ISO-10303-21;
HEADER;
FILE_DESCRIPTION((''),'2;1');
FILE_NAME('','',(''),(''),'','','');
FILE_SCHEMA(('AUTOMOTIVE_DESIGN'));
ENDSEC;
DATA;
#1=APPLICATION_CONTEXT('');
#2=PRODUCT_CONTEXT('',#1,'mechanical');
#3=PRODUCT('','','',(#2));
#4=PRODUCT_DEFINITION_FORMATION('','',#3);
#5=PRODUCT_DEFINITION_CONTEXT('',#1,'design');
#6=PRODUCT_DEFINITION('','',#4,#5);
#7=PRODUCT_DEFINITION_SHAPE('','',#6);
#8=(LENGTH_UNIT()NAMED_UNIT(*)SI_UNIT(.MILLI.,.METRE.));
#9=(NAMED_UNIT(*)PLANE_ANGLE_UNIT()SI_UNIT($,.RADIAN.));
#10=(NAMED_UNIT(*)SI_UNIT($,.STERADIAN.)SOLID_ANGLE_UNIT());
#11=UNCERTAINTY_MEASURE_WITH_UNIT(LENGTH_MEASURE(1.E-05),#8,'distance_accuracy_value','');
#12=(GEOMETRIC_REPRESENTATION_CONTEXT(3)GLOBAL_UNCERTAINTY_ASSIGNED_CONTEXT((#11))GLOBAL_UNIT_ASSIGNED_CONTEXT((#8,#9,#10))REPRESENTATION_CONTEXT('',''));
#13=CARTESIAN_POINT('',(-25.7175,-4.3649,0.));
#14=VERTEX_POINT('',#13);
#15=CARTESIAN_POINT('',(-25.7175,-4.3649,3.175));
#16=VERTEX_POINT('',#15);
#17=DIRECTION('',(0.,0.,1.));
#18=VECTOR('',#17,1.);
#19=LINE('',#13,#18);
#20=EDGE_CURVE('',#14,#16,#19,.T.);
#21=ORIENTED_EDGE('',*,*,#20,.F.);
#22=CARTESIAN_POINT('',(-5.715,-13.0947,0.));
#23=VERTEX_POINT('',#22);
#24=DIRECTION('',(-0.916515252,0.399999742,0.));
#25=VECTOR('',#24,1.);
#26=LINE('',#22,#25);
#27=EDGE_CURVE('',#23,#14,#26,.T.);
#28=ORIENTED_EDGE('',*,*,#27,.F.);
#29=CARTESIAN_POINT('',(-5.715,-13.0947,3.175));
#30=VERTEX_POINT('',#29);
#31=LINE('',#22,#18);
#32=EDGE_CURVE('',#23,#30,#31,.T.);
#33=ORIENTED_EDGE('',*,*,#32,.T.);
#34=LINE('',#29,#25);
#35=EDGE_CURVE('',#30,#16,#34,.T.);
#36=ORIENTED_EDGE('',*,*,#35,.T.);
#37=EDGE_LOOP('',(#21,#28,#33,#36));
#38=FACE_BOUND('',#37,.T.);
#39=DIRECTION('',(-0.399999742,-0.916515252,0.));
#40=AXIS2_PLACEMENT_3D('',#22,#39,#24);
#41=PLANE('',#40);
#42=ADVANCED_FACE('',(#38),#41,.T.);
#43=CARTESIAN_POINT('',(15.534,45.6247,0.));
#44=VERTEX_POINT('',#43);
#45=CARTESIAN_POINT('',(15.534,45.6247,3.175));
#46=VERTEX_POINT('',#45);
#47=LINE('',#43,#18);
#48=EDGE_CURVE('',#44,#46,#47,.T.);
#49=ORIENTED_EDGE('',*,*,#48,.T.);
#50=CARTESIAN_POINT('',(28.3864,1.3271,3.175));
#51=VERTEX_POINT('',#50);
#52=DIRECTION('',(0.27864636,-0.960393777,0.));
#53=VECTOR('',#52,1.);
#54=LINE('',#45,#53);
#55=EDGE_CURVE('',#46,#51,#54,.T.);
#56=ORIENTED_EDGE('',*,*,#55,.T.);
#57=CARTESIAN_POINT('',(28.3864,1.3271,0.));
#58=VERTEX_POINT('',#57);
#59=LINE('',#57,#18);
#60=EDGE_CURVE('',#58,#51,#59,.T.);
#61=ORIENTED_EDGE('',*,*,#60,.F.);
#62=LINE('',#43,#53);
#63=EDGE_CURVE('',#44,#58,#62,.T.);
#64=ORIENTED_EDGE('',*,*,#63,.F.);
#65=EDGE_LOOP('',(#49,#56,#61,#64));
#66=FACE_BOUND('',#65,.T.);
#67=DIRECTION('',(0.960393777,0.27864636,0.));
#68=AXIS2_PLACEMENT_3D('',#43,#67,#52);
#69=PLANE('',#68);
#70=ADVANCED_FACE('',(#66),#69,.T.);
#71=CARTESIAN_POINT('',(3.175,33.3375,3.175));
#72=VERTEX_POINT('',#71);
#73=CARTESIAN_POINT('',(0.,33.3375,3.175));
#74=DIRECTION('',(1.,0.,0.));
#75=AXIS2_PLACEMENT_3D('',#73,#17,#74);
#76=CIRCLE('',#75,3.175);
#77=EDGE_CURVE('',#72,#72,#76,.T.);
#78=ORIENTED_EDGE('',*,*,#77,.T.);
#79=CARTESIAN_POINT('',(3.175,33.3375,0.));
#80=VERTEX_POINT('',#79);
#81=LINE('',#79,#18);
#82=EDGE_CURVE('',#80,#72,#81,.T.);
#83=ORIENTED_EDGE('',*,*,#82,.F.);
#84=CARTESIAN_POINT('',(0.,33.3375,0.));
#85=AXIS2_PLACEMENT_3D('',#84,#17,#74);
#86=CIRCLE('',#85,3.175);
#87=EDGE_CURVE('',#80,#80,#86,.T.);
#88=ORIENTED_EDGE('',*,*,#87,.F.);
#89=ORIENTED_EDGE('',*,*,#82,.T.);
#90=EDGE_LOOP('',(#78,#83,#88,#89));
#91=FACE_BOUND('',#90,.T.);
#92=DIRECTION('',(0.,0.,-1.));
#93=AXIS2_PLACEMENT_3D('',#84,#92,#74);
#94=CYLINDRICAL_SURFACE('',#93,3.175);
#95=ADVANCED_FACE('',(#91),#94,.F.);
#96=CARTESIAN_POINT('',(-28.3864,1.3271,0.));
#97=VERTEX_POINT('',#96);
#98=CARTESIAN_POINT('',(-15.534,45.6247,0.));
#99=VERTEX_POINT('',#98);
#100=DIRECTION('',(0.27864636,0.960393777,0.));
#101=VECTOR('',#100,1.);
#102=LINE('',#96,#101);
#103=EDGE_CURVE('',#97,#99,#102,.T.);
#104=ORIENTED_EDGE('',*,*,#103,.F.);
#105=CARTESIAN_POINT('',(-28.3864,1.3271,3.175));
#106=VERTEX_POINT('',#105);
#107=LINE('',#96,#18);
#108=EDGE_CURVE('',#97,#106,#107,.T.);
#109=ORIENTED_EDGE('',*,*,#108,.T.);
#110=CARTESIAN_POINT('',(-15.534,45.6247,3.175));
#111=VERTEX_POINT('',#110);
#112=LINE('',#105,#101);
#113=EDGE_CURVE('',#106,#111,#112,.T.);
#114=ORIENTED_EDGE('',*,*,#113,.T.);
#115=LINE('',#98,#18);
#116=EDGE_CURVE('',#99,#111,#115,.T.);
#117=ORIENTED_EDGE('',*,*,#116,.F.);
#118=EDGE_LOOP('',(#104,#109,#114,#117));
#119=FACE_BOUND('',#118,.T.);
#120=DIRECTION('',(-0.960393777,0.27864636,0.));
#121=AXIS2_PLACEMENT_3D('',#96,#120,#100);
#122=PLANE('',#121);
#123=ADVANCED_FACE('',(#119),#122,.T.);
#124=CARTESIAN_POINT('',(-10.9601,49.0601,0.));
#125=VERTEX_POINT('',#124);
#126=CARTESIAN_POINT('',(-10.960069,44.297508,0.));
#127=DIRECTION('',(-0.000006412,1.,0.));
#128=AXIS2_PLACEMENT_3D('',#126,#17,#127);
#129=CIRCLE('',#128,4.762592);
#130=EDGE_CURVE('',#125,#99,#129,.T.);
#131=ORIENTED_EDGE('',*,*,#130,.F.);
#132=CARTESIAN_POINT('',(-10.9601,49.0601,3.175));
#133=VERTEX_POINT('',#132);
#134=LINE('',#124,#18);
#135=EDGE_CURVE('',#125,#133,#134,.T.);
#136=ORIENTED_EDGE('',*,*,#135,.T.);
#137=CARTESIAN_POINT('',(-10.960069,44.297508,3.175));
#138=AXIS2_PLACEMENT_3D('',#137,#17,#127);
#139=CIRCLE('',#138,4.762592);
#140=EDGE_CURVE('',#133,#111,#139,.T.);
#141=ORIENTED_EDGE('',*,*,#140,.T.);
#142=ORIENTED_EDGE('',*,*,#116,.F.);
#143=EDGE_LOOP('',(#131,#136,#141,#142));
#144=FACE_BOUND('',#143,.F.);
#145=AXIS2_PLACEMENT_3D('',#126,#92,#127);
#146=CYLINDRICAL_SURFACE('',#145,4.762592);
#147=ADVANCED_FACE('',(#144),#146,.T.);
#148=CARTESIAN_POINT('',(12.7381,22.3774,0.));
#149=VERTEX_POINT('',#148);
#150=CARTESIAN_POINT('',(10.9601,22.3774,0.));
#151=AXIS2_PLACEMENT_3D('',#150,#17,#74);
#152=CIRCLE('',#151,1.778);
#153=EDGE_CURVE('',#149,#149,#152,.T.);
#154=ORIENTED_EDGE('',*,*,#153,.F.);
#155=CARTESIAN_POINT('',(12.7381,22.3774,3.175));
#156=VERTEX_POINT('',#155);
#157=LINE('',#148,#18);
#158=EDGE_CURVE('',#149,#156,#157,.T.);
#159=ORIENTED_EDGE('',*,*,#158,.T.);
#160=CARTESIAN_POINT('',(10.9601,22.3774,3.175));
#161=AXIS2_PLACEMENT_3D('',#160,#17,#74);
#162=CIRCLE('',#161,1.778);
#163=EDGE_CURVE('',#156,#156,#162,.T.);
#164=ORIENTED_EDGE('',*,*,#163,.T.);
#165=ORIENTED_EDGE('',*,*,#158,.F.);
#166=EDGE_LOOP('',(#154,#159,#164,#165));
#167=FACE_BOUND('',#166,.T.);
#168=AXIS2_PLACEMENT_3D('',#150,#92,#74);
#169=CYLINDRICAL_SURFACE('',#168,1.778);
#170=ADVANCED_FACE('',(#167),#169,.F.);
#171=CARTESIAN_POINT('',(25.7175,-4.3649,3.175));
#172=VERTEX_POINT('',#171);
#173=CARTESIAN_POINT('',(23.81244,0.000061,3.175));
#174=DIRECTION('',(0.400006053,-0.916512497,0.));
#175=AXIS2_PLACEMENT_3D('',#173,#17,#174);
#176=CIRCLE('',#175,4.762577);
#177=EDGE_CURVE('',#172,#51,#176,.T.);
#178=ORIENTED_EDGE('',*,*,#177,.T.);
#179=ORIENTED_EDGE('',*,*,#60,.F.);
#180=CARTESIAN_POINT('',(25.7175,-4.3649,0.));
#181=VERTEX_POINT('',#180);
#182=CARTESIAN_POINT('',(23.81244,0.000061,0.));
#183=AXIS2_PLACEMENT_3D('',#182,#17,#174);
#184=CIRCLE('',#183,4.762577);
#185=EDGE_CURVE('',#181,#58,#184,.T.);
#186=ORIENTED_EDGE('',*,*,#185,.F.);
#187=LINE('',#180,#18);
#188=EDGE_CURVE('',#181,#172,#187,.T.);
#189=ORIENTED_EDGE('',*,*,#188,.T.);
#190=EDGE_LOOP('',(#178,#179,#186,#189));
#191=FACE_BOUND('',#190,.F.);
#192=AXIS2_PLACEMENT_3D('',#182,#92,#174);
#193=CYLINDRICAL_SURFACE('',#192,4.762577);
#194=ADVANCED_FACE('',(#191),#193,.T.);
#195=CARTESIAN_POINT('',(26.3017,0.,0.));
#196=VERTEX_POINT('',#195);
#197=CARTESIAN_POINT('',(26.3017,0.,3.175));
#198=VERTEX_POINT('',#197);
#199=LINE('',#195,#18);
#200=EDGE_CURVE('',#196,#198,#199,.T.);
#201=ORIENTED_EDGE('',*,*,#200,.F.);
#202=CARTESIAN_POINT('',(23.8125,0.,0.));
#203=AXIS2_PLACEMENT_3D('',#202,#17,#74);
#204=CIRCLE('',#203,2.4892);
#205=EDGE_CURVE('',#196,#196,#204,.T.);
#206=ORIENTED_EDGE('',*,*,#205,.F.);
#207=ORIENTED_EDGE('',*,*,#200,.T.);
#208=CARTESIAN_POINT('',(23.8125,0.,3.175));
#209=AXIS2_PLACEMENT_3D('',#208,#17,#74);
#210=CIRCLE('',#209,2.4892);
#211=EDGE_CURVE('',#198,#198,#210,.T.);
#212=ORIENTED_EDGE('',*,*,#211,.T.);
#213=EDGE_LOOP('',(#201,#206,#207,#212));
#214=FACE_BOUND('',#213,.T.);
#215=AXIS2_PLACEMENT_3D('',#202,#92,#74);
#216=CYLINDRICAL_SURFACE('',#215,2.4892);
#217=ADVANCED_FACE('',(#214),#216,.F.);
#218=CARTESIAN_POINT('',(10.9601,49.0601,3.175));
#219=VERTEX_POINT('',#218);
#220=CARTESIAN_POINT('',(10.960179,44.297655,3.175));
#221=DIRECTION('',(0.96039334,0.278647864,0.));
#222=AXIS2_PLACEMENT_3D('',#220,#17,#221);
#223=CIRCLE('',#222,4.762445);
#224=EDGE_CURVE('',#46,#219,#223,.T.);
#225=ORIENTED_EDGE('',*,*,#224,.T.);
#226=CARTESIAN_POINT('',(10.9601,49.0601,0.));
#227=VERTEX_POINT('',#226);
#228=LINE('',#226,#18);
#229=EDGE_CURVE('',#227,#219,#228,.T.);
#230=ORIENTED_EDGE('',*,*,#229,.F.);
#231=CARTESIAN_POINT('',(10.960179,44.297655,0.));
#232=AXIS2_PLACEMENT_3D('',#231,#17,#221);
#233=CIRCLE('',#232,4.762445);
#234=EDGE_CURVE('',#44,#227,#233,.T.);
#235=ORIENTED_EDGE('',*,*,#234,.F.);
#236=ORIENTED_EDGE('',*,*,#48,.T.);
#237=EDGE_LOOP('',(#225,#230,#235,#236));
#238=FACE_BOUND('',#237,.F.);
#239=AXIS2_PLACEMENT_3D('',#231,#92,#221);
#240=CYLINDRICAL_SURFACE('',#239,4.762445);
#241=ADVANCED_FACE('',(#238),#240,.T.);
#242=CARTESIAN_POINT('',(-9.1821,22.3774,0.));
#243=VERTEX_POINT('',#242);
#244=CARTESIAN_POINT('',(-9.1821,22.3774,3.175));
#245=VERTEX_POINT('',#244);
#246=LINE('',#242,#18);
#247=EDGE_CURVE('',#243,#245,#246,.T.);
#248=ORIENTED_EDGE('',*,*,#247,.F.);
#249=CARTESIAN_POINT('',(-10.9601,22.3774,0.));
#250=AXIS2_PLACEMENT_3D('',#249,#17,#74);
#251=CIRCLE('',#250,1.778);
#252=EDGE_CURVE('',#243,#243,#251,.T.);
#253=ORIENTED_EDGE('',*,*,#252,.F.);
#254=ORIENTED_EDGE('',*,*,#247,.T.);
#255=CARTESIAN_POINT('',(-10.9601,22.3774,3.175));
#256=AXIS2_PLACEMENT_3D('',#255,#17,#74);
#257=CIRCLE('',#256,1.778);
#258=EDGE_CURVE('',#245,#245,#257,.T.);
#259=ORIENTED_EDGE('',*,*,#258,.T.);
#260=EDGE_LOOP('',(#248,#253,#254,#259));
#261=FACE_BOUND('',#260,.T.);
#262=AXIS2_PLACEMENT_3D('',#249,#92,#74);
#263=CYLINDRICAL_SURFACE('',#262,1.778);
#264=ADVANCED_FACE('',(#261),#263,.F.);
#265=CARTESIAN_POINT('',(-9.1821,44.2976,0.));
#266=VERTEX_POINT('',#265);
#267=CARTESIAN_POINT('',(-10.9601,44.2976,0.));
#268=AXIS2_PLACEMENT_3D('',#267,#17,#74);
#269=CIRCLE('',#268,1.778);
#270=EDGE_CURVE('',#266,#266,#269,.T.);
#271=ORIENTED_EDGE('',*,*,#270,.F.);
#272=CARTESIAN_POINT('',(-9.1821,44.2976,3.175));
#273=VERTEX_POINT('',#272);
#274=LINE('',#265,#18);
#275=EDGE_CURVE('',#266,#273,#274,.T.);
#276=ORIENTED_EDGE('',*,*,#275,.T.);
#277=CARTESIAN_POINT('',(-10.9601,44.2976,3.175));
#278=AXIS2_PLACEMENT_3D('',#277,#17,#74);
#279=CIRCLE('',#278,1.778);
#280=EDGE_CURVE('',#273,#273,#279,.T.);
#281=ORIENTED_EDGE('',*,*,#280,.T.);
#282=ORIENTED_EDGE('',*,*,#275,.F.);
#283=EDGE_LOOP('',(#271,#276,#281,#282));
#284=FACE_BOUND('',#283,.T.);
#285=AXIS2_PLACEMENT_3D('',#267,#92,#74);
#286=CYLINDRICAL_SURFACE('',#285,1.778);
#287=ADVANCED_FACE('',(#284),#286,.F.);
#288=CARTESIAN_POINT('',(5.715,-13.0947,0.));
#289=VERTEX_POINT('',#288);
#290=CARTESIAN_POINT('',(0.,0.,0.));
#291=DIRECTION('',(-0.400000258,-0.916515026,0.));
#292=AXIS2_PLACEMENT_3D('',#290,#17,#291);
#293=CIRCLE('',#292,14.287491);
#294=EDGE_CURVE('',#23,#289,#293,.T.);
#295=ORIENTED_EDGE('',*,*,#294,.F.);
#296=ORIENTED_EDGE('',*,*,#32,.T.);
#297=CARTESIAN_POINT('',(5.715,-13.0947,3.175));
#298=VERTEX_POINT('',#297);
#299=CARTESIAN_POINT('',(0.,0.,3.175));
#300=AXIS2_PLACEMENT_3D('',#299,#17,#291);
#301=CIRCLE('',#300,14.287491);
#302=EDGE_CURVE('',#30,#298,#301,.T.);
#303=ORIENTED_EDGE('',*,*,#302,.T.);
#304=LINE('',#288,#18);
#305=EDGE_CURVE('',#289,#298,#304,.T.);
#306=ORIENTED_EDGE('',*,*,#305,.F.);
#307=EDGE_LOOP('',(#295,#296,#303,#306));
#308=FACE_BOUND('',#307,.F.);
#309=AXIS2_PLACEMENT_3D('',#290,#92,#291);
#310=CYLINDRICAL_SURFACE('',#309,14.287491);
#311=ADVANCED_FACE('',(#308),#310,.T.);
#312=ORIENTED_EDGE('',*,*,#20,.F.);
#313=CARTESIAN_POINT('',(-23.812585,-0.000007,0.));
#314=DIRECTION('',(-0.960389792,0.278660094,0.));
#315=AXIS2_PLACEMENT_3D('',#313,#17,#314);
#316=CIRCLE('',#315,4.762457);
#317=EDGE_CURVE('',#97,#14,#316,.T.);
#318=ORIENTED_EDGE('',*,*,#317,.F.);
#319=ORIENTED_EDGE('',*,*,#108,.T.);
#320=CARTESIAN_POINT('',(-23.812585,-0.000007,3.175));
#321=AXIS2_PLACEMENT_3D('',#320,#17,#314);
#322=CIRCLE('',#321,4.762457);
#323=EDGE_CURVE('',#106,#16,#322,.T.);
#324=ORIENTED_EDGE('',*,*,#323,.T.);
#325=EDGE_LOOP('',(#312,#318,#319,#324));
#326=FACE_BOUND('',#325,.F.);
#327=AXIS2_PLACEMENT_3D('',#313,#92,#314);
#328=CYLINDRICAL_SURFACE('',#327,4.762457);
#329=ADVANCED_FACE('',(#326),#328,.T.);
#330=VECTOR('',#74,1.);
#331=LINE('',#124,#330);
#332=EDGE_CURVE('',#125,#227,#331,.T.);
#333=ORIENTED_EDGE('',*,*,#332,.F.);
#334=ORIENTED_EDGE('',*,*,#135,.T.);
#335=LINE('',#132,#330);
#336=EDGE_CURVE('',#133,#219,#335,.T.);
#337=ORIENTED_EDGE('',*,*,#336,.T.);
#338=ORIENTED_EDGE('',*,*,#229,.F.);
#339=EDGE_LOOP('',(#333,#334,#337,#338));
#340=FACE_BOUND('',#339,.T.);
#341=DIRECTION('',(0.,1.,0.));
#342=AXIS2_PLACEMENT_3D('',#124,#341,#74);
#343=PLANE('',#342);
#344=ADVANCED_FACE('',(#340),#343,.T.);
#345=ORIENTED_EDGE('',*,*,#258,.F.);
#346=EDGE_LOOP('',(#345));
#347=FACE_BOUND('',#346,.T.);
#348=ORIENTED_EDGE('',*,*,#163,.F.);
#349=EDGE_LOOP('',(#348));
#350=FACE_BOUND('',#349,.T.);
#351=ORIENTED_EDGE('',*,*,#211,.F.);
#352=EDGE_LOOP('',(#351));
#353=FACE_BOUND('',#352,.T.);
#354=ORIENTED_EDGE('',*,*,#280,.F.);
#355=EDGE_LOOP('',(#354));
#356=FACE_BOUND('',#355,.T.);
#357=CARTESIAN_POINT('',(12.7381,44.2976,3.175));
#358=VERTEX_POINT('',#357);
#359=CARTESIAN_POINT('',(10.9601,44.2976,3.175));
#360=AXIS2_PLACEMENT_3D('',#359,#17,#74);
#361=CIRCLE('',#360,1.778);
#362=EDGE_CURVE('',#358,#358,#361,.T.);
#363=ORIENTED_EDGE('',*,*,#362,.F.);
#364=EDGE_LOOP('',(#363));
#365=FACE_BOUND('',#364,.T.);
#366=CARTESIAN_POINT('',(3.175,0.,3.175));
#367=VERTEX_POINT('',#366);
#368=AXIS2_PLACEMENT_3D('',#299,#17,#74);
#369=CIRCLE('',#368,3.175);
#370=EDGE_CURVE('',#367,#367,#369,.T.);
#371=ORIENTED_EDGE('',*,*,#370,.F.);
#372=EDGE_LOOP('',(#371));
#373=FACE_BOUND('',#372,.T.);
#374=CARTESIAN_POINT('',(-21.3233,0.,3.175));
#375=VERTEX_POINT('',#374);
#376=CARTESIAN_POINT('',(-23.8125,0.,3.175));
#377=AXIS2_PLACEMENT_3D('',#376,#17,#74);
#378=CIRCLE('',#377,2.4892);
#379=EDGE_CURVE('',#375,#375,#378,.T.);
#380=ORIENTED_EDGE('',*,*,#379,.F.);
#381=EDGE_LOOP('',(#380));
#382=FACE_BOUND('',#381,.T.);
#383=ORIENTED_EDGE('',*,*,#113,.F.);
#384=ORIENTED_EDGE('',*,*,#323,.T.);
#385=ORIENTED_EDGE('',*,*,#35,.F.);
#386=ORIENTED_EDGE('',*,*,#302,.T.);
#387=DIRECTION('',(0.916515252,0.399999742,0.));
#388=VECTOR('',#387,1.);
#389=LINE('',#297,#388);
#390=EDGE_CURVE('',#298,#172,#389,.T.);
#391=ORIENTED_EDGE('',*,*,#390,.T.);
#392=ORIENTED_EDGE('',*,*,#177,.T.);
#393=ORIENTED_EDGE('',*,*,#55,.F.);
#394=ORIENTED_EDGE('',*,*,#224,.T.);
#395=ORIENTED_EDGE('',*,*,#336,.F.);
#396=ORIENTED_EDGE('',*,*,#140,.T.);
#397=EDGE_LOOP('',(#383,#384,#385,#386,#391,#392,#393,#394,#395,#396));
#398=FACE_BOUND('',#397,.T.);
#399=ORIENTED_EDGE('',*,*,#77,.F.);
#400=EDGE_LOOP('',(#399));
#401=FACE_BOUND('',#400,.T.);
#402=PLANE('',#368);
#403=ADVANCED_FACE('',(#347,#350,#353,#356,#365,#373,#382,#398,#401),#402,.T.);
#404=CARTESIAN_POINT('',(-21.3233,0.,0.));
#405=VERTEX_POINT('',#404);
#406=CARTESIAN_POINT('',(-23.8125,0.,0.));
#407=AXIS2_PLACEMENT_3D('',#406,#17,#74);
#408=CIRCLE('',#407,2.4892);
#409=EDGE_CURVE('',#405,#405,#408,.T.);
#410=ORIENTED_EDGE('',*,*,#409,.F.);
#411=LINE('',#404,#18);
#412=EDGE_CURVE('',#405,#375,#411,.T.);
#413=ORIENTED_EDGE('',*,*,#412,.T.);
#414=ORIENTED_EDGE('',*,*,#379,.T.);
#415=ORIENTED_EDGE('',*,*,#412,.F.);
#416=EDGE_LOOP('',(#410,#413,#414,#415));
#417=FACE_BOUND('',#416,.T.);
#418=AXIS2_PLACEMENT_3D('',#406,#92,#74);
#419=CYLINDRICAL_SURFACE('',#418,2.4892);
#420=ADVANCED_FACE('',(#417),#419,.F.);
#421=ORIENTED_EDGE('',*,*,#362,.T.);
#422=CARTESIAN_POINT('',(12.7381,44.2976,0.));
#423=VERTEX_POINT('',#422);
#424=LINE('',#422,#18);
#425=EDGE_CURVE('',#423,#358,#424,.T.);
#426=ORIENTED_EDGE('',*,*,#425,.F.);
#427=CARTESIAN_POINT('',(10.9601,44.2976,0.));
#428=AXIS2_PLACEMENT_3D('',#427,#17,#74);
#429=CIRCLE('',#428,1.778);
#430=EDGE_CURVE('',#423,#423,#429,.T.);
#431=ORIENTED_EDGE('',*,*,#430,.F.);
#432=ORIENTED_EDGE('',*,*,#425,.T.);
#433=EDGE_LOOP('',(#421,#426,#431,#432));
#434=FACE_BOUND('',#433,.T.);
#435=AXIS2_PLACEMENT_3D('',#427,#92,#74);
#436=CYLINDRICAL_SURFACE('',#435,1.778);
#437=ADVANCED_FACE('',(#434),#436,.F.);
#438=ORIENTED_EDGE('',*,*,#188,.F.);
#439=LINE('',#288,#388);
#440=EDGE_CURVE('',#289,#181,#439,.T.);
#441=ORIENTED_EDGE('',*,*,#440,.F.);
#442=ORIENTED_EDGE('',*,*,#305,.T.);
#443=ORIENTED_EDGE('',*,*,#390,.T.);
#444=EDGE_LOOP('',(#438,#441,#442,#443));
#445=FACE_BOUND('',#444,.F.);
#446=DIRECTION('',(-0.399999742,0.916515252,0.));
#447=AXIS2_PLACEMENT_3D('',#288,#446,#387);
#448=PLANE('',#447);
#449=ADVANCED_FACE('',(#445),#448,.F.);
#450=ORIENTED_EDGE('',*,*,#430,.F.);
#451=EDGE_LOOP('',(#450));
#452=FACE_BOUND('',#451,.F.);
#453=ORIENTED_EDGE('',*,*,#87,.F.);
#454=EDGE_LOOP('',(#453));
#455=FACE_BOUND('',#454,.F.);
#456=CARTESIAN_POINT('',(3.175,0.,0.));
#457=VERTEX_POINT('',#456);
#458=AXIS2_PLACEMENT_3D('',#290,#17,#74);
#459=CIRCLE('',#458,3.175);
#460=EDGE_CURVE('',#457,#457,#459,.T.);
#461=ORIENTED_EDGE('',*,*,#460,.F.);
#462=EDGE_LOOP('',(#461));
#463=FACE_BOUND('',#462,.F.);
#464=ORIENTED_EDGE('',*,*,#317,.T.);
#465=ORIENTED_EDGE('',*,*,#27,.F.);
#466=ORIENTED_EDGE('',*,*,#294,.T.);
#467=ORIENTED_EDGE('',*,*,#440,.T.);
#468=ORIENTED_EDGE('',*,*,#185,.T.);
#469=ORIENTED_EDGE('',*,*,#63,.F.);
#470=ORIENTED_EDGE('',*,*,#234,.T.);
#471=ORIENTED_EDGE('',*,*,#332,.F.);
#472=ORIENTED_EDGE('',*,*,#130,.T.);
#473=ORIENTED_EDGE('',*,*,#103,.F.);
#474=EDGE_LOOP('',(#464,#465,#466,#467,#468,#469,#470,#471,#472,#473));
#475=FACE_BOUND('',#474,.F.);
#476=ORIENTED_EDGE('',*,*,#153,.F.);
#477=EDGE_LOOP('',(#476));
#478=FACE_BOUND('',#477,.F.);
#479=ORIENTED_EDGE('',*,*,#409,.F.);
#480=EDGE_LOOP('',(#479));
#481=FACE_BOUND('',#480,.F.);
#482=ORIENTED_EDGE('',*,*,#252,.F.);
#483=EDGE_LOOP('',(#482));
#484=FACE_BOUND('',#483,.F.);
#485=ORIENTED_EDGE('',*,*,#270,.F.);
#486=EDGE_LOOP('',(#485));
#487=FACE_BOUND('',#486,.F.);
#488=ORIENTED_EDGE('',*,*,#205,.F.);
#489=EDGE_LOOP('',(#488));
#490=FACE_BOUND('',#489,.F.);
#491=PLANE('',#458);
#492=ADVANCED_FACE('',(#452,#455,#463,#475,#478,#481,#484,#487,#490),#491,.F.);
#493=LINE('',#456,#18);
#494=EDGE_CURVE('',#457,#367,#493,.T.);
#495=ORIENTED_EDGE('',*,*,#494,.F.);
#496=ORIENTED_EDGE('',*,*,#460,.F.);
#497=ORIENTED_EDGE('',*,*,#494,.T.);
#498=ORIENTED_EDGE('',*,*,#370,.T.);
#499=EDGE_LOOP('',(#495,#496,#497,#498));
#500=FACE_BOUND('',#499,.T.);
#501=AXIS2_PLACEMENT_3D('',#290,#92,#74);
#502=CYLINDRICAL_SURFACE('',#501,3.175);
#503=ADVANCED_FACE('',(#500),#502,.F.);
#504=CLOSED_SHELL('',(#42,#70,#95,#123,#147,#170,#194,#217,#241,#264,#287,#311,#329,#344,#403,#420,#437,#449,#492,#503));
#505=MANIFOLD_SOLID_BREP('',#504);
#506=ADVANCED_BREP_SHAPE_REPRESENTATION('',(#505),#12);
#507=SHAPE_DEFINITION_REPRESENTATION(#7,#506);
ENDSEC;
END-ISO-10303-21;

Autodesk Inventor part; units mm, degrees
ref_plane "YZ Plane" through (0, 0, 0) normal (1, 0, 0) x (0, 1, 0)
ref_plane "XZ Plane" through (0, 0, 0) normal (0, 1, 0) x (-1, 0, 0)
ref_plane "XY Plane" through (0, 0, 0) normal (0, 0, 1) x (1, 0, 0)
sketch "Sketch1" plane through (0, 0, 0) normal (0, 0, 1) x (1, 0, 0)
  circle A0 centre (0, 0) radius 3.175
  circle A1 centre (23.8125, 0) radius 2.4892
  circle A2 centre (-23.8125, 0) radius 2.4892
  line L0 (-10.9601, 22.3774) -> (10.9601, 22.3774) construction
  line L1 (10.9601, 22.3774) -> (10.9601, 44.2976) construction
  line L2 (10.9601, 44.2976) -> (-10.9601, 44.2976) construction
  line L3 (-10.9601, 44.2976) -> (-10.9601, 22.3774) construction
  line L4 (-10.9601, 22.3774) -> (10.9601, 44.2976) construction
  line L5 (10.9601, 22.3774) -> (-10.9601, 44.2976) construction
  circle A3 centre (0, 33.3375) radius 3.175
  circle A4 centre (-10.9601, 44.2976) radius 1.778
  circle A5 centre (-10.9601, 22.3774) radius 1.778
  circle A6 centre (10.9601, 22.3774) radius 1.778
  circle A7 centre (10.9601, 44.2976) radius 1.778
  arc A8 (-5.715, -13.0947) -> (5.715, -13.0947) centre (0, 0) ccw
  arc A9 (-10.9601, 49.0601) -> (-15.534, 45.6247) centre (-10.9601, 44.2976) ccw
  arc A10 (15.534, 45.6247) -> (10.9601, 49.0601) centre (10.9601, 44.2976) ccw
  arc A11 (-28.3864, 1.3271) -> (-25.7175, -4.3649) centre (-23.8125, 0) ccw
  arc A12 (25.7175, -4.3649) -> (28.3864, 1.3271) centre (23.8125, 0) ccw
  line L6 (-28.3864, 1.3271) -> (-15.534, 45.6247)
  line L7 (-10.9601, 49.0601) -> (10.9601, 49.0601)
  line L8 (15.534, 45.6247) -> (28.3864, 1.3271)
  line L9 (5.715, -13.0947) -> (25.7175, -4.3649)
  line L10 (-5.715, -13.0947) -> (-25.7175, -4.3649)
  point P0 (0, 33.3375)
  dimension "d0" = 6.35
  dimension "d1" = 4.9784
  dimension "d4" = 360
  dimension "d6" = 47.625
  dimension "d7" = 21.9202
  dimension "d8" = 6.35
  dimension "d9" = 3.556
  dimension "d12" = 360
  dimension "d14" = 33.3375
  dimension "d16" = 28.575
  dimension "d18" = 9.525
  dimension "d19" = 9.525
extrude "Extrusion1" add sketch "Sketch1" along normal blind 3.175
properties part number "Dog Shifter Reverse Plate" material "Aluminum 6061"
